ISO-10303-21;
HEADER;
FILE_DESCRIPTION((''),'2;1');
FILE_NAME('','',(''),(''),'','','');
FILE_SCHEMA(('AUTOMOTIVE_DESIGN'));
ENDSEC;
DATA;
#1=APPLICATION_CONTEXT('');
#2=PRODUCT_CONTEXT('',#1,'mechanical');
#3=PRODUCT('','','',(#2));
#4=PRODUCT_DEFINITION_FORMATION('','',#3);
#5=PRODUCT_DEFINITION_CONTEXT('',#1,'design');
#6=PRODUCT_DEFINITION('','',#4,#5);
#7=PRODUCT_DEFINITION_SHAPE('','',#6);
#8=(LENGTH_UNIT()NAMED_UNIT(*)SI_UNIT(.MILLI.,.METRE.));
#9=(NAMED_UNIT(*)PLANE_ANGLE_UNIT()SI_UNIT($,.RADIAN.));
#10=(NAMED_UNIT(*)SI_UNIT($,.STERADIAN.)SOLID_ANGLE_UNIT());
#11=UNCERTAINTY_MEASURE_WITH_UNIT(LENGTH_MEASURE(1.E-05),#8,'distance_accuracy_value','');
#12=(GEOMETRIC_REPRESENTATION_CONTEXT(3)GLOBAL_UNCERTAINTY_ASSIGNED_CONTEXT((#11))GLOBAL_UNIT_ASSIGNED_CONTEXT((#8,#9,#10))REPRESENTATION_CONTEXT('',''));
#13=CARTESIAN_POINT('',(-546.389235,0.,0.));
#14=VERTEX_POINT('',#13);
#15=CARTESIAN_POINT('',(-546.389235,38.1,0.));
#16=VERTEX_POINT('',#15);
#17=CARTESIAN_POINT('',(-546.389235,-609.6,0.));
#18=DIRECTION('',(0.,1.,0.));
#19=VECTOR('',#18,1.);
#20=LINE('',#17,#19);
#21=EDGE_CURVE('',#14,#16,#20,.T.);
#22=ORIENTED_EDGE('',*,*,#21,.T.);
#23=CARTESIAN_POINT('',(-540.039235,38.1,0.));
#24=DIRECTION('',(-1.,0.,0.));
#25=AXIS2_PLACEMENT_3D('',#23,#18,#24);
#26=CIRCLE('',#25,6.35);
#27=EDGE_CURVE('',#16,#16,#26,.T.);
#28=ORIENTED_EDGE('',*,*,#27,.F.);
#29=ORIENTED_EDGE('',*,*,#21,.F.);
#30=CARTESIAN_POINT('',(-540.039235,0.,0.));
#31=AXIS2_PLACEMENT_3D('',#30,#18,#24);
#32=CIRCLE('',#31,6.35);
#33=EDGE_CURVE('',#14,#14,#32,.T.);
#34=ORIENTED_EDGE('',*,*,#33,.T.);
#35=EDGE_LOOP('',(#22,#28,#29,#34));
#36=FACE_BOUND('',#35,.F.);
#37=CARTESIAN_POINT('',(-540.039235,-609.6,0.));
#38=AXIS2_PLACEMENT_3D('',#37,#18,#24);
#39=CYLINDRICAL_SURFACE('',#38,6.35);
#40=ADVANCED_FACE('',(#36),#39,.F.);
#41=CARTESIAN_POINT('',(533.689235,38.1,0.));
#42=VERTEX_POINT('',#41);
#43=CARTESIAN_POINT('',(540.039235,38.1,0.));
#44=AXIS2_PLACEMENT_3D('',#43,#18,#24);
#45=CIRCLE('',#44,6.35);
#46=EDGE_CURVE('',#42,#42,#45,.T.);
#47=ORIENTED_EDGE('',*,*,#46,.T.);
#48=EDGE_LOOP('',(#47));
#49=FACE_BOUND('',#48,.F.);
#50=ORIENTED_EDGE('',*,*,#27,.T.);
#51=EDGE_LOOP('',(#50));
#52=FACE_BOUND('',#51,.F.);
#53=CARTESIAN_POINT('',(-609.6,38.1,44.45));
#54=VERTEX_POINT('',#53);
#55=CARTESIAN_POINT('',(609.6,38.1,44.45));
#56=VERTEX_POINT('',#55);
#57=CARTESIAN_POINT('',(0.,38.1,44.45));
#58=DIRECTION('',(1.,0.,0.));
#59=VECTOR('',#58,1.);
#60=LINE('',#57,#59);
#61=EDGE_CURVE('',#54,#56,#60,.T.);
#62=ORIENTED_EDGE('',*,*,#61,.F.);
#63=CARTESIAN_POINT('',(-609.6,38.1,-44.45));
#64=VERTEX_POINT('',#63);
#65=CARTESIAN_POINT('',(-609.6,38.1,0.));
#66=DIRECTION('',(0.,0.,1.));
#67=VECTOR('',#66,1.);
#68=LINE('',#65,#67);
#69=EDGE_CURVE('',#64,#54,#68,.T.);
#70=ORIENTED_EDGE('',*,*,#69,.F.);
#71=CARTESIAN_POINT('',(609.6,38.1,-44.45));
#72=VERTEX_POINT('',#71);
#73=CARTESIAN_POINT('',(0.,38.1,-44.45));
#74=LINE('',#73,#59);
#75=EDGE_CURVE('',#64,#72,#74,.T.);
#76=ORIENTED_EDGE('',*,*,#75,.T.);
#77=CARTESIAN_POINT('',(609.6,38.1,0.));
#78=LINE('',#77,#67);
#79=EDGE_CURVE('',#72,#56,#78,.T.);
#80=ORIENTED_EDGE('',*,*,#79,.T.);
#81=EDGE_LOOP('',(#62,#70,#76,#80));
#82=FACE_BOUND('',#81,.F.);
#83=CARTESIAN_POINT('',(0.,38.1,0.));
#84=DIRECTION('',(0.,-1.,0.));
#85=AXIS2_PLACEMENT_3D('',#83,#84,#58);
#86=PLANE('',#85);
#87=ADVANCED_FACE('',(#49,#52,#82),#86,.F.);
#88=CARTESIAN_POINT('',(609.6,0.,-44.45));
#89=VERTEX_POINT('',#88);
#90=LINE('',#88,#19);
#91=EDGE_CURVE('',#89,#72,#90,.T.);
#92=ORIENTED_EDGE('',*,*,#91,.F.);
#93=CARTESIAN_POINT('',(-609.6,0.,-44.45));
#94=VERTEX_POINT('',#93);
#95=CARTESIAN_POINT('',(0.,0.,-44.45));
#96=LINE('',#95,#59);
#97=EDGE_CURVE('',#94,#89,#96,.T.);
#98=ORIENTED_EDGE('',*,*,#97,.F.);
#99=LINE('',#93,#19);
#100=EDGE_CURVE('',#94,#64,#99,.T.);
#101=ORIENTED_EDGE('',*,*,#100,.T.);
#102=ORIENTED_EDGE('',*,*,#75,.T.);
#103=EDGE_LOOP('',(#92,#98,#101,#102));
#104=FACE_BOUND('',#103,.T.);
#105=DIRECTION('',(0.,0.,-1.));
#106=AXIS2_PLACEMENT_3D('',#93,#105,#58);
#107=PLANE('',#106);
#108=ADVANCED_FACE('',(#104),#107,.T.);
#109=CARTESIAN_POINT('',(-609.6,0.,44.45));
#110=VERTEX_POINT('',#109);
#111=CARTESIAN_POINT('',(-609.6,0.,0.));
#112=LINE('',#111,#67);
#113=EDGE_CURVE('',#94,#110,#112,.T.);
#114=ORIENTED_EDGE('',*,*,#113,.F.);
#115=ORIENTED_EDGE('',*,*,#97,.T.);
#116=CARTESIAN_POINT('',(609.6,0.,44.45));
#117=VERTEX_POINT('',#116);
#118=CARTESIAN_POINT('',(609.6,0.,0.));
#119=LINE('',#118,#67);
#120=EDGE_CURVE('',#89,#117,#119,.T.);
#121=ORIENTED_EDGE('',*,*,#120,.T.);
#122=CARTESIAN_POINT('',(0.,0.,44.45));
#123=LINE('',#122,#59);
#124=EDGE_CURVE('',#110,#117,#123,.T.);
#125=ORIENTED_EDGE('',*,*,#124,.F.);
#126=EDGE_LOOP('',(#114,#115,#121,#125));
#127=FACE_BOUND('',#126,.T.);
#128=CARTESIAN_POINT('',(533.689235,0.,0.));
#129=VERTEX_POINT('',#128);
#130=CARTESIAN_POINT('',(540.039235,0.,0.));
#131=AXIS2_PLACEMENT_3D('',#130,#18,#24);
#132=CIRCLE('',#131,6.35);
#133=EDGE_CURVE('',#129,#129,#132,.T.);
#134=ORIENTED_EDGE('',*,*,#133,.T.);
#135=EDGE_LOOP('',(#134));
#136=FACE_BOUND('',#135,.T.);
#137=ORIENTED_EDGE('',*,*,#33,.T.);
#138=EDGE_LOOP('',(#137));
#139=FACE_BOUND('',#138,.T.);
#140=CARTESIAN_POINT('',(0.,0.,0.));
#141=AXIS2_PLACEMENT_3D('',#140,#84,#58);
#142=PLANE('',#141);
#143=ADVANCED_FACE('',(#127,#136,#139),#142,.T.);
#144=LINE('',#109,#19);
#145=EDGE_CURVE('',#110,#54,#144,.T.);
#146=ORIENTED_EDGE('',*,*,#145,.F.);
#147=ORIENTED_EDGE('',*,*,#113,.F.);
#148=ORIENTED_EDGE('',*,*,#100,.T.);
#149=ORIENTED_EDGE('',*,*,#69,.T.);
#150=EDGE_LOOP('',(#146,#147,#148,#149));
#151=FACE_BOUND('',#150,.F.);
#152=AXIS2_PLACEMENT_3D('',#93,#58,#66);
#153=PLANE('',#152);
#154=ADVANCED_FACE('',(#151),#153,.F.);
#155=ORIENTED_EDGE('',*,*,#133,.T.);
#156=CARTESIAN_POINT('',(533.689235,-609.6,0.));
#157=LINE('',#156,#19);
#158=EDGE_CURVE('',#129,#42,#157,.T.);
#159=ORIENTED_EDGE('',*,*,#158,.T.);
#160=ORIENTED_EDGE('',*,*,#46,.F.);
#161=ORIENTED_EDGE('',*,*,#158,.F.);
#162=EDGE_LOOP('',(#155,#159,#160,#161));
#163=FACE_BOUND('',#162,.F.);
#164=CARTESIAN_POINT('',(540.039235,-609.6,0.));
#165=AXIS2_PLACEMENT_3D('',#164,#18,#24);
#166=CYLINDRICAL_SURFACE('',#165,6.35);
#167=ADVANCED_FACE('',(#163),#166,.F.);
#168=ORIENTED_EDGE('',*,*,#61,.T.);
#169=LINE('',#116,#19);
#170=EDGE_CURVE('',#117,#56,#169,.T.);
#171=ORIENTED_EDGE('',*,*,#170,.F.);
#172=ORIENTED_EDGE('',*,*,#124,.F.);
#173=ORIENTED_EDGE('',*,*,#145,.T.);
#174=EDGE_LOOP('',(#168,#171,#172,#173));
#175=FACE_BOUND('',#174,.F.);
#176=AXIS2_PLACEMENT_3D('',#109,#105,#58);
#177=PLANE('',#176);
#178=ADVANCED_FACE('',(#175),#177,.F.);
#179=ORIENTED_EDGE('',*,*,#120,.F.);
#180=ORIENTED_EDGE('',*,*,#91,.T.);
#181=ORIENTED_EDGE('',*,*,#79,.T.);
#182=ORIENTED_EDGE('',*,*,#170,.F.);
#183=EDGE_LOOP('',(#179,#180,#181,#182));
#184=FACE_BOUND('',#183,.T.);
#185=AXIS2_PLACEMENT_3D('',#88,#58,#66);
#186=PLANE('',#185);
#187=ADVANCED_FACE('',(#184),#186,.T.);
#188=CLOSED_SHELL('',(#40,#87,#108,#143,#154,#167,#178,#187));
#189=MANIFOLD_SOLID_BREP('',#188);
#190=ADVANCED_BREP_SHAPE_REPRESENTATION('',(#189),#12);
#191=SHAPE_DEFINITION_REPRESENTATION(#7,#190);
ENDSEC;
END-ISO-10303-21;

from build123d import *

# Parameters (mm, degrees)
F0_W     = 1219.2
F0_H     = 88.9
F1_DEPTH = 38.1
F2_D     = 12.7
F2_DEPTH = 609.6


with BuildPart() as f1:
    # F0 (on Front) → F1 (new body)
    with BuildSketch(Plane.XZ):
        Rectangle(F0_W, F0_H)
    extrude(amount=-F1_DEPTH)

    # F2
    with Locations(Plane.XZ):
        with Locations((-540.039235, 0), (540.039235, 0)):
            Hole(F2_D / 2, depth=F2_DEPTH)


solid = f1.part
